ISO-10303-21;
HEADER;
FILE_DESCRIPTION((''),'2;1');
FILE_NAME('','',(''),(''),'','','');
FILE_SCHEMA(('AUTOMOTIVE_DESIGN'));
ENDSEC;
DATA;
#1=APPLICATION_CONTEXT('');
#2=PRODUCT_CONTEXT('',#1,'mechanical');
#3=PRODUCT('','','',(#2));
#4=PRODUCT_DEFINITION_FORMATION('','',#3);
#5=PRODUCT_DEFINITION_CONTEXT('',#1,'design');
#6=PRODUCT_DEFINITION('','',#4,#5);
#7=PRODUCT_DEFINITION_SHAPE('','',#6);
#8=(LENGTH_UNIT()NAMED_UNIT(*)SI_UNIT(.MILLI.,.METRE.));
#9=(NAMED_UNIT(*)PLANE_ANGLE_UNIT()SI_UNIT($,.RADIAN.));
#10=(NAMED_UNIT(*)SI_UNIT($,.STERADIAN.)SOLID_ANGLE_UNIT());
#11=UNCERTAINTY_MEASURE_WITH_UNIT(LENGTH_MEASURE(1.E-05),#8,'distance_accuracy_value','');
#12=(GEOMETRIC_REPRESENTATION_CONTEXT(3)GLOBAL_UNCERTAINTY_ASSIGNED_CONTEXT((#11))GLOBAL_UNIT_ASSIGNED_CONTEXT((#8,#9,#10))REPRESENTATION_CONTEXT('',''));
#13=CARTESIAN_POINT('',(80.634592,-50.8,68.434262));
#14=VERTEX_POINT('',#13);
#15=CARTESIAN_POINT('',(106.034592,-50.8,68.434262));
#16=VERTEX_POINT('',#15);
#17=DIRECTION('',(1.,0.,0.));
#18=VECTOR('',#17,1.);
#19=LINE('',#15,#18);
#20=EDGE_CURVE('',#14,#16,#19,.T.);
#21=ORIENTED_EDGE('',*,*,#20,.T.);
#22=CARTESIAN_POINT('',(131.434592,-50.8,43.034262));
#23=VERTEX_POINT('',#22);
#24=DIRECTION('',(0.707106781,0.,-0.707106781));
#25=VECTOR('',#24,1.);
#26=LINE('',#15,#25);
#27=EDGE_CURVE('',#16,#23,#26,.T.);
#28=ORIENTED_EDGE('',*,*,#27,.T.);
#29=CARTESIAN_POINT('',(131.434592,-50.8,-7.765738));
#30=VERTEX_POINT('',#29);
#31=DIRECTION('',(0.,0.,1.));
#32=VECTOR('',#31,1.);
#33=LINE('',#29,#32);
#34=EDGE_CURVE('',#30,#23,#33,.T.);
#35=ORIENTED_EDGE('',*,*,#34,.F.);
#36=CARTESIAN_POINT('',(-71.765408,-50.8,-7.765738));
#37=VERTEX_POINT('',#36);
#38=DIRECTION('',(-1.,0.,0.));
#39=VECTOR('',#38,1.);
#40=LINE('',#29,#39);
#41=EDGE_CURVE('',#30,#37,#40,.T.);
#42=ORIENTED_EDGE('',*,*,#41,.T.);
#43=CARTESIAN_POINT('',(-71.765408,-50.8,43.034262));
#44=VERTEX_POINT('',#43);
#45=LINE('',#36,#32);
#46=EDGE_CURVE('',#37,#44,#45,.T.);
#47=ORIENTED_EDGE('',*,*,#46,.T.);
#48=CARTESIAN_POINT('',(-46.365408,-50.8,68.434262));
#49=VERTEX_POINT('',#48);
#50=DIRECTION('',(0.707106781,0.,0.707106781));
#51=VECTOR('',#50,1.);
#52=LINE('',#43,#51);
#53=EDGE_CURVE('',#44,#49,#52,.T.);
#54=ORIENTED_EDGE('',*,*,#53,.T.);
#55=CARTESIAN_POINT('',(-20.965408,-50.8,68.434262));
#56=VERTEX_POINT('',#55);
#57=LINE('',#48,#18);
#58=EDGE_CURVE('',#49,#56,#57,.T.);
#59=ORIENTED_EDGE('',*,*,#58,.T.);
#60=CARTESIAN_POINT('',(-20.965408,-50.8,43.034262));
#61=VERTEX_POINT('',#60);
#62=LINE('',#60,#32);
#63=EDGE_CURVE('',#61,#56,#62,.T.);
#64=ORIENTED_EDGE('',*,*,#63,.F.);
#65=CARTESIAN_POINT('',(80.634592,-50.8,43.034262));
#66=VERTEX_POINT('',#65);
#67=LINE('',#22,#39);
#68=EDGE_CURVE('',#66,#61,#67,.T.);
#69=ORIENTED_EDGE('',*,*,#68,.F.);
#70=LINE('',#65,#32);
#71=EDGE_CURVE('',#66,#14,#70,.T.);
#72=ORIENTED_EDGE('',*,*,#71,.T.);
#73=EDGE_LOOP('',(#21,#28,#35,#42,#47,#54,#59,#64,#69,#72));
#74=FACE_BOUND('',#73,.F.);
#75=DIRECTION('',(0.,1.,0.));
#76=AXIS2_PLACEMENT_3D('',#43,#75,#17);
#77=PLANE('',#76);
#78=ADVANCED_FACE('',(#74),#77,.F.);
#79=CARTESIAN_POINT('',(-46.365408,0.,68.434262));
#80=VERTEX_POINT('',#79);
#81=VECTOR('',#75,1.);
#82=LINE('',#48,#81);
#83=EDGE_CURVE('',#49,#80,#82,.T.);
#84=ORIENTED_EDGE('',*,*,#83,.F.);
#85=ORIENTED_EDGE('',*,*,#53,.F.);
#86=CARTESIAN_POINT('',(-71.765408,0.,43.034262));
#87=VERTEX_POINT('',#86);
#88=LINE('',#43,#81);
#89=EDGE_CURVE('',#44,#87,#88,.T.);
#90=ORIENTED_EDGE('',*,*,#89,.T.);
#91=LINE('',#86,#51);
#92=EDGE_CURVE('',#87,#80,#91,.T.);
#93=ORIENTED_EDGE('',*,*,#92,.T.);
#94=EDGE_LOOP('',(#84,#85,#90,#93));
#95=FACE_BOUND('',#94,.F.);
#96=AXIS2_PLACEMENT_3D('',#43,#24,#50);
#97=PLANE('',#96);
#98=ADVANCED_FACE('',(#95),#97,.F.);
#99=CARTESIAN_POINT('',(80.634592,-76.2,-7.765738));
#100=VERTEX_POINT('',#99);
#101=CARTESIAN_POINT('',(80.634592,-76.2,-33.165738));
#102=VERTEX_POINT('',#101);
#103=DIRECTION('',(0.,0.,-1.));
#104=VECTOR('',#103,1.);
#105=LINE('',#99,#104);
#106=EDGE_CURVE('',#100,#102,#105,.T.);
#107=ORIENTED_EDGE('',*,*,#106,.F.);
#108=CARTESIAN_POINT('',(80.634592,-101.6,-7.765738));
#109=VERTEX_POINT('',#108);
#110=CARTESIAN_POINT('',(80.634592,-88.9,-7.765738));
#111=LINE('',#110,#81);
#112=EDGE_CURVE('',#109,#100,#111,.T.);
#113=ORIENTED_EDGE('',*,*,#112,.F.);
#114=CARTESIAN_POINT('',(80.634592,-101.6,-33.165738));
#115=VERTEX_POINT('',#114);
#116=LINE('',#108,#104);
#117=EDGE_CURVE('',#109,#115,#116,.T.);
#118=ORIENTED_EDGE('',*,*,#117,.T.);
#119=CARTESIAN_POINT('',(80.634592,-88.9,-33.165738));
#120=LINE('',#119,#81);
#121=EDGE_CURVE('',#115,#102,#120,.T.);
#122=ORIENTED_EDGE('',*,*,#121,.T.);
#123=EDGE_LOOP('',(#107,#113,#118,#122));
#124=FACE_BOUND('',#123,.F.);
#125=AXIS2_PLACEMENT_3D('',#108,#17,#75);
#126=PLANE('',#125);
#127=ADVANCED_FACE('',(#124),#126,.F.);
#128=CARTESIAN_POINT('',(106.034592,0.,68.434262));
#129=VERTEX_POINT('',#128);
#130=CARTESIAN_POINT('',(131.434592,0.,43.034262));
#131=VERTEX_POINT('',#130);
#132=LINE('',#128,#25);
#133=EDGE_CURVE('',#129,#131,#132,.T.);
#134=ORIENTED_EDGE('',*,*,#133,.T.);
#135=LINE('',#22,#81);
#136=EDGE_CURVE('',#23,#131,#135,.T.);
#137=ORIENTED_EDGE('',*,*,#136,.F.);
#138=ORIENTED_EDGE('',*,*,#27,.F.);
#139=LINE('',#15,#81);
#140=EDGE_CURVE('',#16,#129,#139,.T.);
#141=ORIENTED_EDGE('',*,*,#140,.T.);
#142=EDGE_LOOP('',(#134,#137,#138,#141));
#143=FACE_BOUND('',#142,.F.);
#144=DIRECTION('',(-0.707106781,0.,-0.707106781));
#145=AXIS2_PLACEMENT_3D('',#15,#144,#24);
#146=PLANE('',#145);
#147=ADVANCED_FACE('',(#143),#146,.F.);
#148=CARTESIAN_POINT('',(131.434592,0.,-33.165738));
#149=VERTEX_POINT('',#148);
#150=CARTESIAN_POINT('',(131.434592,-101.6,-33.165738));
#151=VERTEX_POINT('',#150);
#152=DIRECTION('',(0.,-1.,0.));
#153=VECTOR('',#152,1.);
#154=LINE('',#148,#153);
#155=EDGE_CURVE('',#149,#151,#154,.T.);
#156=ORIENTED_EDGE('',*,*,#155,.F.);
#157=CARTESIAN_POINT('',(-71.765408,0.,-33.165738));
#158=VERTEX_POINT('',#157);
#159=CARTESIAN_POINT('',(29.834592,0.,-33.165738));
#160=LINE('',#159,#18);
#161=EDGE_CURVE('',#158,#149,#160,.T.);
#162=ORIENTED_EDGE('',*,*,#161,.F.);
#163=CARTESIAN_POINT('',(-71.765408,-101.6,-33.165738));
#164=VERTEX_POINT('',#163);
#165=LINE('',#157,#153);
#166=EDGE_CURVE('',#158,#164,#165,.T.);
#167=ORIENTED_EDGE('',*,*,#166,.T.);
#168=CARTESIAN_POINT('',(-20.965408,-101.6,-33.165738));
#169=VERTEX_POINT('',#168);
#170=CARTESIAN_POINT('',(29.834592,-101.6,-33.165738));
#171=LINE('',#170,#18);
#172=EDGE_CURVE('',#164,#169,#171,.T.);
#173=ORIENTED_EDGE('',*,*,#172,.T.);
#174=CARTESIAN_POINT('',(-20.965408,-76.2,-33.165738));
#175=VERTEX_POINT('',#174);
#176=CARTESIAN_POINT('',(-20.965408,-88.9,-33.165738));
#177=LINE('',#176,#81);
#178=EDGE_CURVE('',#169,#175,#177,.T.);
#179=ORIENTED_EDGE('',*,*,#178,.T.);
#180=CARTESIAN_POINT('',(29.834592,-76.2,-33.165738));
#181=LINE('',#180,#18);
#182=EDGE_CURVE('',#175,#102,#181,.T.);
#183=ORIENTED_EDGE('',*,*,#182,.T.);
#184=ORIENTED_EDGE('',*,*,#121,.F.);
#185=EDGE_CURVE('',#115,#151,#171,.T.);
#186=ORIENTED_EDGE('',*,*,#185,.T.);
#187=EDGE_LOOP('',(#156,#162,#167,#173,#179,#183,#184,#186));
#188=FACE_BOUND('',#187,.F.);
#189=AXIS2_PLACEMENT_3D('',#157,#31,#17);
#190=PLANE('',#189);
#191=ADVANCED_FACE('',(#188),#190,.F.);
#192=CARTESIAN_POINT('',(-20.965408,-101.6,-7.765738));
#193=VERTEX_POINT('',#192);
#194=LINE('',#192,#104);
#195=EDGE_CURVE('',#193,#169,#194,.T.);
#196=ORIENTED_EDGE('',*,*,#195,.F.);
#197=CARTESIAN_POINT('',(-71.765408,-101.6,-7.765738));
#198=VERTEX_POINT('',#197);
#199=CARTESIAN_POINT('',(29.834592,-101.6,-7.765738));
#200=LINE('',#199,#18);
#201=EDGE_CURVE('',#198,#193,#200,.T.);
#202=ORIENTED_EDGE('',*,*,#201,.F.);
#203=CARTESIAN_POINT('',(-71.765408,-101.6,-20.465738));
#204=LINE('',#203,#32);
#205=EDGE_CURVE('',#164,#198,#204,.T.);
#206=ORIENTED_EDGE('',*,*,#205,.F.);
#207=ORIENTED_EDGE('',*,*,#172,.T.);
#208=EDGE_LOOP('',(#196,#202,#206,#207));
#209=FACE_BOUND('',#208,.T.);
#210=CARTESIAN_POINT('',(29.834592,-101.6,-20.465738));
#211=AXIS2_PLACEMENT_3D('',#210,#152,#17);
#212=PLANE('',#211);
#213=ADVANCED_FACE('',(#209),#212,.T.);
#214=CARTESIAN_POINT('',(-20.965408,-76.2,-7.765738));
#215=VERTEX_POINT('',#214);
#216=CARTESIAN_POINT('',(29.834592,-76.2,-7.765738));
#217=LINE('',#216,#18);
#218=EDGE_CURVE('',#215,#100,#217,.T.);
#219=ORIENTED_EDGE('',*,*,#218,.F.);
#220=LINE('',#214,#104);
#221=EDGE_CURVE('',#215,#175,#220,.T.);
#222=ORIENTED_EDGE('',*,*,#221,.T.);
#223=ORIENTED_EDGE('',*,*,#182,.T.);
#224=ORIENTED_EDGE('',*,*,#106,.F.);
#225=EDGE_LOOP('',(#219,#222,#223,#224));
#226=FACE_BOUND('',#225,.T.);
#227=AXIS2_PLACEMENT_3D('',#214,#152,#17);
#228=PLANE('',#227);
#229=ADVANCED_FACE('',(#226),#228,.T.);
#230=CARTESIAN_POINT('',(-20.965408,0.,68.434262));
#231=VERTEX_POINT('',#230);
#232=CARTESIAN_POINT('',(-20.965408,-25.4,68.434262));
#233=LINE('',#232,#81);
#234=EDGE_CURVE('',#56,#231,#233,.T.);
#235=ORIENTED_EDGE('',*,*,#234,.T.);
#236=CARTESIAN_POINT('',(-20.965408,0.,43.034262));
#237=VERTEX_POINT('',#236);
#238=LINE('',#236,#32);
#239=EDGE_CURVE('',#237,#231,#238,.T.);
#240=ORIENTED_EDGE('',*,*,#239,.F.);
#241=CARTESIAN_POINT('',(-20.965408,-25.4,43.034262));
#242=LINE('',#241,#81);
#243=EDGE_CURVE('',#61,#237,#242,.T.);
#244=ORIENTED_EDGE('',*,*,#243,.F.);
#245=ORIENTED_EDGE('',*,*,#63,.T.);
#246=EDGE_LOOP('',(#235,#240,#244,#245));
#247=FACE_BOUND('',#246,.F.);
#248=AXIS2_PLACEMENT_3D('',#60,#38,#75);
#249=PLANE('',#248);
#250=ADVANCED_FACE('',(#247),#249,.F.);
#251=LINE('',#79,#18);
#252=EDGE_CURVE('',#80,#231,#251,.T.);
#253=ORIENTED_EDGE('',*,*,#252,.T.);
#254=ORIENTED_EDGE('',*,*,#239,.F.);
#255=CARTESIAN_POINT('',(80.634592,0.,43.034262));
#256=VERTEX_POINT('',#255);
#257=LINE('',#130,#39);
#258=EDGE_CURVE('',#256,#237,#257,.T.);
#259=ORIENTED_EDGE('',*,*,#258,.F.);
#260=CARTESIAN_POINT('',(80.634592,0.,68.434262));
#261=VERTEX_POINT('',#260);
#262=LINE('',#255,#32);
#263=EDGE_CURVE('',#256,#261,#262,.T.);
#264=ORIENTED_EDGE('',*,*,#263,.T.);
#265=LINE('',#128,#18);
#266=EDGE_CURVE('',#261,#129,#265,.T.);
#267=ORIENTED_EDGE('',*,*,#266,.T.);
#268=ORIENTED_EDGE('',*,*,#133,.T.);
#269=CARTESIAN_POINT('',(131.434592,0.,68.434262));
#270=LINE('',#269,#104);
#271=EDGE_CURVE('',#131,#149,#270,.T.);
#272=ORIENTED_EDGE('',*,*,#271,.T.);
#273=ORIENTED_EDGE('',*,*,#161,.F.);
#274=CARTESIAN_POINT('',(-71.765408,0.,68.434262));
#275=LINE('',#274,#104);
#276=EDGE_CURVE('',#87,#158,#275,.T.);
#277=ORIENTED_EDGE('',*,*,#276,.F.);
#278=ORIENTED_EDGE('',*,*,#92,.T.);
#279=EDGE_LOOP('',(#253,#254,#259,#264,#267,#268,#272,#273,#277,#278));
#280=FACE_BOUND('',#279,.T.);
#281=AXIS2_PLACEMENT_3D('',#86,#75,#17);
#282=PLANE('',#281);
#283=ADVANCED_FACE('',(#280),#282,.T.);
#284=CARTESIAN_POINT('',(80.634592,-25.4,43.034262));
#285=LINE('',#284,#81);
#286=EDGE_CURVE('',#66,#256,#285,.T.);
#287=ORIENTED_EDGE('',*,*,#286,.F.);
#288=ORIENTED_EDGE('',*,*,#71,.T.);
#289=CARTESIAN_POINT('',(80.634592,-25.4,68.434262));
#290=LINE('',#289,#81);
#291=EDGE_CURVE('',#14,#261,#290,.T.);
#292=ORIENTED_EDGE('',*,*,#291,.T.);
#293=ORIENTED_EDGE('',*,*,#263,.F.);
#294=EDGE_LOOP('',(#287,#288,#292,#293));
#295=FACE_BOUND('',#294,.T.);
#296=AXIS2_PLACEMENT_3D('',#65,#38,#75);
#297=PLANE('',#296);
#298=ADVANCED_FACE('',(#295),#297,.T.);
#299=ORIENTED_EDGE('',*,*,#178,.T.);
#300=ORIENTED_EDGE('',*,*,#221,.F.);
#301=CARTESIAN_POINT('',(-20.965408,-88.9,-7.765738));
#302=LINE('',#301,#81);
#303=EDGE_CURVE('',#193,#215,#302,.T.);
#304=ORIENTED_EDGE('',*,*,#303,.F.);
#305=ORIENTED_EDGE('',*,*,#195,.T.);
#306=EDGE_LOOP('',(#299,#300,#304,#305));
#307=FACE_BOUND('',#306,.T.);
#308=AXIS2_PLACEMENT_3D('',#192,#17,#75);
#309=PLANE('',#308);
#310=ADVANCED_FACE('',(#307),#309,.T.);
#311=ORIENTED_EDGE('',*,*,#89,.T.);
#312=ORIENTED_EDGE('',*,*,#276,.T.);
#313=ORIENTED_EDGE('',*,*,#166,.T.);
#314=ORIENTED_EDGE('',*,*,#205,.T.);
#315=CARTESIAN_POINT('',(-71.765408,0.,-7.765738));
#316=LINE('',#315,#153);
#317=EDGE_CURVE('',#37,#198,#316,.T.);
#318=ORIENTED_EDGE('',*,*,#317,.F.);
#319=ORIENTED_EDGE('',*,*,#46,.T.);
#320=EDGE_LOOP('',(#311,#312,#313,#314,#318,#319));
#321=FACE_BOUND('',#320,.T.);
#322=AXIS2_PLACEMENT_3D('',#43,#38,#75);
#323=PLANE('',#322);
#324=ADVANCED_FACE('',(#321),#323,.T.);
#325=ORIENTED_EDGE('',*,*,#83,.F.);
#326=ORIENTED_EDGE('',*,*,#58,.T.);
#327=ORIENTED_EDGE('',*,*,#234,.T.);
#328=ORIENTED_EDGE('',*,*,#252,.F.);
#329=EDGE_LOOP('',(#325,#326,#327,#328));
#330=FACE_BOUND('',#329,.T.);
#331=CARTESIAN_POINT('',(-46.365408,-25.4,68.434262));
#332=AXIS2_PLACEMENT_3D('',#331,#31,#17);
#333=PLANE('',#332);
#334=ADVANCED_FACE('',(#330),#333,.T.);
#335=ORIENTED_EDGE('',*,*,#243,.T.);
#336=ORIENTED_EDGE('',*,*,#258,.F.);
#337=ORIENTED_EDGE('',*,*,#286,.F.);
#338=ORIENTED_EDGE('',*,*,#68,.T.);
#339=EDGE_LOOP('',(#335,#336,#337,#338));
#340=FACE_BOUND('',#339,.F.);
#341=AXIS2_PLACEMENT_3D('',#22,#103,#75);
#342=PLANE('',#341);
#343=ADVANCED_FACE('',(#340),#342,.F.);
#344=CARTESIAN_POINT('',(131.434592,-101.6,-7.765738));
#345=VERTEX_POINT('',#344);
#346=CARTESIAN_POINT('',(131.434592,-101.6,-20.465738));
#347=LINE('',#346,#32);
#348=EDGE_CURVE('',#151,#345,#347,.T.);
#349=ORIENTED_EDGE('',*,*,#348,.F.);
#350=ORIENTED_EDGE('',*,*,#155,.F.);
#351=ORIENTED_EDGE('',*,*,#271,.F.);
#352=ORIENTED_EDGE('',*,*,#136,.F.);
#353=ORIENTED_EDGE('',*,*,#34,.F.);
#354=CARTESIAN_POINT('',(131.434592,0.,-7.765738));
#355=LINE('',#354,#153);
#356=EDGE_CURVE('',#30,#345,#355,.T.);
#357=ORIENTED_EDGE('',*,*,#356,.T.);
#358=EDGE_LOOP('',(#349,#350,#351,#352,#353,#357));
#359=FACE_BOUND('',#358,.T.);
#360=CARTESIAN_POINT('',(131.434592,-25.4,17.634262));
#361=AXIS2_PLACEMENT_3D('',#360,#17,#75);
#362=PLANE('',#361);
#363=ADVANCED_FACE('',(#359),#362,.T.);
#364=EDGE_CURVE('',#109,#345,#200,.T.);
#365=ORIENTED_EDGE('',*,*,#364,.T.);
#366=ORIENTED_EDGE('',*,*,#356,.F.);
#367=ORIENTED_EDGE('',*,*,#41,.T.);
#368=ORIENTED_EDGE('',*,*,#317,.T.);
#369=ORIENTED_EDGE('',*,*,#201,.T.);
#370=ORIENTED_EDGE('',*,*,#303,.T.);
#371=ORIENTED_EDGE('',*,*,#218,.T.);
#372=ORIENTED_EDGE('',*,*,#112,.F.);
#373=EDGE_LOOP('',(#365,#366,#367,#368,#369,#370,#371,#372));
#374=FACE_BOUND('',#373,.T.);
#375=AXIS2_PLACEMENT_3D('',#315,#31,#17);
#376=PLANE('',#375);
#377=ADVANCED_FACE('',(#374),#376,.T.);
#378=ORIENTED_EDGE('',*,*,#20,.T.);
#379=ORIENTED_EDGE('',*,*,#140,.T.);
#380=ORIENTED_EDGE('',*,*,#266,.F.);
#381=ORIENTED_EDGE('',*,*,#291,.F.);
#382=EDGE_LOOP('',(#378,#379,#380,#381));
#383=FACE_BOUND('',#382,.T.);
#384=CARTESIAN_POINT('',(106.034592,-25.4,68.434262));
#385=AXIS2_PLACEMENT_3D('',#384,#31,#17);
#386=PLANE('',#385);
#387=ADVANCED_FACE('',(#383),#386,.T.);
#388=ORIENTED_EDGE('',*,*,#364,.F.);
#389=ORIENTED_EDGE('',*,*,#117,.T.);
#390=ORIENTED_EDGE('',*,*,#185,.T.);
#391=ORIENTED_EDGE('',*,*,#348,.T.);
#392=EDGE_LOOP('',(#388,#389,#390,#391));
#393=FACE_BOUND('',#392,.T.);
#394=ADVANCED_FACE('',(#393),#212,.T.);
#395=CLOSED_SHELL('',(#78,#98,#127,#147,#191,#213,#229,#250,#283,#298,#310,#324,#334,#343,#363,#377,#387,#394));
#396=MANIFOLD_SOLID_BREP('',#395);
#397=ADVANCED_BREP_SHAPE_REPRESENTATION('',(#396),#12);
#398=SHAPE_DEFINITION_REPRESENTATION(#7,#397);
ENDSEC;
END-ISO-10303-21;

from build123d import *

# Parameters (mm, degrees)
F0_W     = 203.2
F0_H     = 25.4
F1_DEPTH = 101.6
F2_W     = 101.6
F2_H     = 25.4
F3_DEPTH = 25.4
F4_W     = 50.8
F4_H     = 50.8
F5_DEPTH = 203.2
F6_W     = 50.8
F6_H     = 50.8
F7_DEPTH = 25.4
F9_DEPTH = 50.8


with BuildPart() as f1:
    # F0 (on Front) → F1 (new body)
    with BuildSketch(Plane.XZ):
        with Locations((29.834592, -20.465738)):
            Rectangle(F0_W, F0_H)
    extrude(amount=F1_DEPTH)

    # F2 (on face) → F3 (cut)
    with BuildSketch(Plane.XY.offset(-7.765738)):
        with Locations((29.834592, -88.9)):
            Rectangle(F2_W, F2_H)
    extrude(amount=-F3_DEPTH, mode=Mode.SUBTRACT)

    # F4 (on face) → F5 (join)
    with BuildSketch(Plane.YZ.offset(131.434592)):
        with Locations((-25.4, 17.634262)):
            Rectangle(F4_W, F4_H)
    extrude(amount=-F5_DEPTH)

    # F6 (on face) → F7 (join)
    with BuildSketch(Plane.XY.offset(43.034262)):
        with Locations((-46.365408, -25.4)):
            Rectangle(F6_W, F6_H)
        with Locations((106.034592, -25.4)):
            Rectangle(F6_W, F6_H)
    extrude(amount=F7_DEPTH)

    # F8 (on face) → F9 (cut)
    with BuildSketch(Plane.XZ.offset(50.8)):
        Polygon((106.034592, 68.434262), (131.434592, 43.034262), (131.434592, 68.434262), align=None)
        Polygon((-71.765408, 43.034262), (-46.365408, 68.434262), (-71.765408, 68.434262), align=None)
    extrude(amount=-F9_DEPTH, mode=Mode.SUBTRACT)


solid = f1.part
